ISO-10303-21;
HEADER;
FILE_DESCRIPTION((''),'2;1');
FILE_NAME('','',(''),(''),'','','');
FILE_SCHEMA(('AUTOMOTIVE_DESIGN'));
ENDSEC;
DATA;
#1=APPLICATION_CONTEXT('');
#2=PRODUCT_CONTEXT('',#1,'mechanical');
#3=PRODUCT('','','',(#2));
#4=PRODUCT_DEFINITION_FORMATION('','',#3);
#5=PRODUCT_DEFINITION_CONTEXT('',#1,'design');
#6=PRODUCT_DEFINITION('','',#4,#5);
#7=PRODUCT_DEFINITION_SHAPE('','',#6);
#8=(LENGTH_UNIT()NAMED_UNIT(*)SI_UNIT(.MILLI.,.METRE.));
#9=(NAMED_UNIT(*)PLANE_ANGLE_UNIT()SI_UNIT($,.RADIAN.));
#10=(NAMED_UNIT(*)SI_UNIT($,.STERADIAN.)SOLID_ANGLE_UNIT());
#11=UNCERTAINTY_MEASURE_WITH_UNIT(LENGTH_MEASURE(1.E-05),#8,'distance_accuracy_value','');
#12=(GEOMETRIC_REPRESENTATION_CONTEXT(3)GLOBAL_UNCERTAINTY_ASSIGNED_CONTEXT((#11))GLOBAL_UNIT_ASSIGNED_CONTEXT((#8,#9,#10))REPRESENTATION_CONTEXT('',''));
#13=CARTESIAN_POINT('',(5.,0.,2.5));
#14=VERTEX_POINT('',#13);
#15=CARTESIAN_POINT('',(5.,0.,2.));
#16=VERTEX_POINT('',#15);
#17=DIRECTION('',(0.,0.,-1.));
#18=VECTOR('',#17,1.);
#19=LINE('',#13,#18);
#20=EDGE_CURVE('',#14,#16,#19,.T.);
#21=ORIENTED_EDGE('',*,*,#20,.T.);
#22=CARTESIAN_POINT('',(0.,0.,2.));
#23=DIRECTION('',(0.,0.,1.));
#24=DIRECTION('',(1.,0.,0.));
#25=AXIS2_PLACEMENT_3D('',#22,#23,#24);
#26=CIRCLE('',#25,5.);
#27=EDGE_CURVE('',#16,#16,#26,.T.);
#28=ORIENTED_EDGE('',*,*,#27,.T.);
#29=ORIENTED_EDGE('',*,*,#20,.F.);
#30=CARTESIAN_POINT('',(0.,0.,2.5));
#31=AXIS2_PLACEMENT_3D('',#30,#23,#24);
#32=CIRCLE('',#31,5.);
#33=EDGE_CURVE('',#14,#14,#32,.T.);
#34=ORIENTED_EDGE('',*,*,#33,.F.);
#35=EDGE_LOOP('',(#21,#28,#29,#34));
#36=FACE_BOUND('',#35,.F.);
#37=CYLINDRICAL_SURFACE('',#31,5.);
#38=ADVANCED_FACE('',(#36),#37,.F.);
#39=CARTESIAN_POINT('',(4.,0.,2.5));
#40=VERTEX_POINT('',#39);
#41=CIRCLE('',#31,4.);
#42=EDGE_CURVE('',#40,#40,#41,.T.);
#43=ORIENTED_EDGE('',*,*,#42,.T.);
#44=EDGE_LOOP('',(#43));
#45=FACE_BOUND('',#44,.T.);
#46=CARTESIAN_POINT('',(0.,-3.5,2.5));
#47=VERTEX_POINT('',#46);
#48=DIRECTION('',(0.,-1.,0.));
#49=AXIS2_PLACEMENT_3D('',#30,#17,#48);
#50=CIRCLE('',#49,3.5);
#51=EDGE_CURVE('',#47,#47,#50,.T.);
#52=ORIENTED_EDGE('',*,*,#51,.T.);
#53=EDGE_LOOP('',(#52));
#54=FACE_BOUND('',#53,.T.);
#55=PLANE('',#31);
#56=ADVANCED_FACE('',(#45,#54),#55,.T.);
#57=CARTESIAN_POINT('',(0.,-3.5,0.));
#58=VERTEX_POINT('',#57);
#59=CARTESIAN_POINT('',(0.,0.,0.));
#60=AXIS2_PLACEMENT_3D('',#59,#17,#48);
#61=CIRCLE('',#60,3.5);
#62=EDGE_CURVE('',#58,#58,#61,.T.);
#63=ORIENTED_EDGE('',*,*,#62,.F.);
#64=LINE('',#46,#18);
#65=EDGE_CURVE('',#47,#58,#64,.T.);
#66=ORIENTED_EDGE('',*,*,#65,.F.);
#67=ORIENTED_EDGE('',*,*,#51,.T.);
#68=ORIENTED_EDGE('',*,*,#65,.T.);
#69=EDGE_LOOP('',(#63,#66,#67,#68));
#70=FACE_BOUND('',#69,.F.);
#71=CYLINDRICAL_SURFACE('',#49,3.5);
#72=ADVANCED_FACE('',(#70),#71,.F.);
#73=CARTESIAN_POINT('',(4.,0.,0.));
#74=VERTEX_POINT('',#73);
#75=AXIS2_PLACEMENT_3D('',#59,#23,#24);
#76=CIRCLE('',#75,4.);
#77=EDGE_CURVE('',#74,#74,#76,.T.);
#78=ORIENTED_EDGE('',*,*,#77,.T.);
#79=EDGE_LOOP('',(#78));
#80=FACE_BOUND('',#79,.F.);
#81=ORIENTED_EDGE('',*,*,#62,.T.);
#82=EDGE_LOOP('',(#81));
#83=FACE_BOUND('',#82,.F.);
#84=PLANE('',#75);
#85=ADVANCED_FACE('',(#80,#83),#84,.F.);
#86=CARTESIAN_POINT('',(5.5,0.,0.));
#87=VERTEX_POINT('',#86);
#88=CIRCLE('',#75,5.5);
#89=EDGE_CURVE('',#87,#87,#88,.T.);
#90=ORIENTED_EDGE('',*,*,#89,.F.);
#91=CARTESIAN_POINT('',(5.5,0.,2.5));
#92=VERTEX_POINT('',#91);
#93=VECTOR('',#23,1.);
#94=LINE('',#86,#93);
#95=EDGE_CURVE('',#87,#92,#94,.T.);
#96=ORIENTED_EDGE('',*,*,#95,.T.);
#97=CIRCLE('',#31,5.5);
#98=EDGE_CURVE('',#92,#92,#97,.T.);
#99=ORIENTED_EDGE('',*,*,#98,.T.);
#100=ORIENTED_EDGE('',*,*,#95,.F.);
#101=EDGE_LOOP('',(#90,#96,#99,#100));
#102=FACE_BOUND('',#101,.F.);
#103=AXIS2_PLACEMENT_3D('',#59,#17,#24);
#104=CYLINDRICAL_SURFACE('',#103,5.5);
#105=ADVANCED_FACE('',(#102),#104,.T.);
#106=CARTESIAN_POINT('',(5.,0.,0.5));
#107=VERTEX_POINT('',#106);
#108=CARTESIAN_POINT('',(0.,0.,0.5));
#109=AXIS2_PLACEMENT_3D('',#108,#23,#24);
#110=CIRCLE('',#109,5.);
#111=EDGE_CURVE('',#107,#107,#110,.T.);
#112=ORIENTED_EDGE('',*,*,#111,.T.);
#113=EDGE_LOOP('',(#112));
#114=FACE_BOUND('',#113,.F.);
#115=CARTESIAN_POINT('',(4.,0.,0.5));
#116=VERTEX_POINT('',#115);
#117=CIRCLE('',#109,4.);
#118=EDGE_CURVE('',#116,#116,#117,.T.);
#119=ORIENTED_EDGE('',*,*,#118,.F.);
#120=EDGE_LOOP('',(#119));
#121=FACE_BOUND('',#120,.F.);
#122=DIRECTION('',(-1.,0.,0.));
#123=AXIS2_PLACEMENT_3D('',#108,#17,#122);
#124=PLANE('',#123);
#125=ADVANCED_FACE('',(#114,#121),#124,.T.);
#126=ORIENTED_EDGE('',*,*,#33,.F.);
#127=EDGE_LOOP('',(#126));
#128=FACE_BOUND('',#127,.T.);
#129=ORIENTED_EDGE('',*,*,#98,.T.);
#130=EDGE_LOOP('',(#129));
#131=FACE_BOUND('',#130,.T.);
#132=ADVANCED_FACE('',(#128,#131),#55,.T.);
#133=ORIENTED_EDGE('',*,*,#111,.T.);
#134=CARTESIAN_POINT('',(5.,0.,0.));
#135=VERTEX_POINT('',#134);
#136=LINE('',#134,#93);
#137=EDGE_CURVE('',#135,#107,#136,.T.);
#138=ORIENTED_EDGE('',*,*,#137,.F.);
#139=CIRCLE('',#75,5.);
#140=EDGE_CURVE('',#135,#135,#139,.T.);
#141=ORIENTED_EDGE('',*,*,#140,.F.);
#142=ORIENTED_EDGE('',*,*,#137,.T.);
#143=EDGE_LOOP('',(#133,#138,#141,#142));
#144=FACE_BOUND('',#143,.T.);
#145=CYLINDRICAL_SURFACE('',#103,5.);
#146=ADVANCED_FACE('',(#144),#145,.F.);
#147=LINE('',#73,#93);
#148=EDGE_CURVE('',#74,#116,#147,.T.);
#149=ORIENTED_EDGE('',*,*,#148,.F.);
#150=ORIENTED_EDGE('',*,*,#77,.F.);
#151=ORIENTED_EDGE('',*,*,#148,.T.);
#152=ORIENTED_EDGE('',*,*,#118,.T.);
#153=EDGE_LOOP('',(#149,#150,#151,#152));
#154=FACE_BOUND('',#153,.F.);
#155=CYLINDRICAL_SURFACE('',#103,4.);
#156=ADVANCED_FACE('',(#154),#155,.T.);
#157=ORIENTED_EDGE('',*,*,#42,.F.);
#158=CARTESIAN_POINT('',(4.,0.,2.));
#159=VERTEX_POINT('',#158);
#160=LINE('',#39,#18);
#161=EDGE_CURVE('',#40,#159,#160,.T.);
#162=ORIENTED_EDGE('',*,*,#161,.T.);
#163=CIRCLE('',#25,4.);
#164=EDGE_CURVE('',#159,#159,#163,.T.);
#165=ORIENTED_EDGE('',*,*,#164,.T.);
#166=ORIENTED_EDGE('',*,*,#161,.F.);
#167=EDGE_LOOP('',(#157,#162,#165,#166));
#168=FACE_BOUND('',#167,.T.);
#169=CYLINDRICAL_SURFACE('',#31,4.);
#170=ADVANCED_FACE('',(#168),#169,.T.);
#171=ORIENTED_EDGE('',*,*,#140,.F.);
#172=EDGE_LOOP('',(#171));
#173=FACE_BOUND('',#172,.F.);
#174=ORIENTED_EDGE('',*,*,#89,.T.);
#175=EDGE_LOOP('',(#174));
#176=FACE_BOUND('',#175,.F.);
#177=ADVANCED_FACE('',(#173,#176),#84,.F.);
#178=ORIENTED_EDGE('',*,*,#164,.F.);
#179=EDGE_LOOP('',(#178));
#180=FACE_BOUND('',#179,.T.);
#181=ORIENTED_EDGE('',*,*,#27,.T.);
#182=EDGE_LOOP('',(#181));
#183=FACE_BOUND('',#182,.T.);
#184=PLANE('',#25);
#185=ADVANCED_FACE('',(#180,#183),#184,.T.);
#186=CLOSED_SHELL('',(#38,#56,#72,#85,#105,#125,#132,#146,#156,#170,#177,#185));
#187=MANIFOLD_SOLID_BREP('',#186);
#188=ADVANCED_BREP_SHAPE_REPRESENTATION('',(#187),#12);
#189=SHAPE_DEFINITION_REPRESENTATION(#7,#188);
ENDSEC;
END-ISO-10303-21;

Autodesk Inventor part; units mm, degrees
ref_plane "YZ Plane" through (0, 0, 0) normal (1, 0, 0) x (0, 1, 0)
ref_plane "XZ Plane" through (0, 0, 0) normal (0, 1, 0) x (-1, 0, 0)
sketch "Sketch1" plane through (0, 0, 0) normal (0, 0, 1) x (1, 0, 0)
  circle A0 centre (0, 0) radius 5.5
  dimension "d0" = 11
extrude "Extrusion1" add sketch "Sketch1" along normal blind 2.5
hole "Hole1" at (0, 0, 2.5) direction (0, 0, -1) diameter 7 end through all
sketch "Sketch2" plane through (0, 0, 2.5) normal (0, 0, 1) x (1, 0, 0)
  circle A0 centre (0, 0) radius 5
  circle A1 centre (0, 0) radius 4
  dimension "d12" = 10
  dimension "d13" = 8
extrude "Extrusion2" cut sketch "Sketch2" against normal blind 0.5
ref_plane "Work Plane1" through (0, 0, 1.25) normal (0, 0, 1) x (1, 0, 0)
mirror "Mirror1" about plane through (0, 0, 1.25) normal (0, 0, 1) of "Extrusion2"
properties part number "bearing_7x11x2,5" material "Stainless Steel"
